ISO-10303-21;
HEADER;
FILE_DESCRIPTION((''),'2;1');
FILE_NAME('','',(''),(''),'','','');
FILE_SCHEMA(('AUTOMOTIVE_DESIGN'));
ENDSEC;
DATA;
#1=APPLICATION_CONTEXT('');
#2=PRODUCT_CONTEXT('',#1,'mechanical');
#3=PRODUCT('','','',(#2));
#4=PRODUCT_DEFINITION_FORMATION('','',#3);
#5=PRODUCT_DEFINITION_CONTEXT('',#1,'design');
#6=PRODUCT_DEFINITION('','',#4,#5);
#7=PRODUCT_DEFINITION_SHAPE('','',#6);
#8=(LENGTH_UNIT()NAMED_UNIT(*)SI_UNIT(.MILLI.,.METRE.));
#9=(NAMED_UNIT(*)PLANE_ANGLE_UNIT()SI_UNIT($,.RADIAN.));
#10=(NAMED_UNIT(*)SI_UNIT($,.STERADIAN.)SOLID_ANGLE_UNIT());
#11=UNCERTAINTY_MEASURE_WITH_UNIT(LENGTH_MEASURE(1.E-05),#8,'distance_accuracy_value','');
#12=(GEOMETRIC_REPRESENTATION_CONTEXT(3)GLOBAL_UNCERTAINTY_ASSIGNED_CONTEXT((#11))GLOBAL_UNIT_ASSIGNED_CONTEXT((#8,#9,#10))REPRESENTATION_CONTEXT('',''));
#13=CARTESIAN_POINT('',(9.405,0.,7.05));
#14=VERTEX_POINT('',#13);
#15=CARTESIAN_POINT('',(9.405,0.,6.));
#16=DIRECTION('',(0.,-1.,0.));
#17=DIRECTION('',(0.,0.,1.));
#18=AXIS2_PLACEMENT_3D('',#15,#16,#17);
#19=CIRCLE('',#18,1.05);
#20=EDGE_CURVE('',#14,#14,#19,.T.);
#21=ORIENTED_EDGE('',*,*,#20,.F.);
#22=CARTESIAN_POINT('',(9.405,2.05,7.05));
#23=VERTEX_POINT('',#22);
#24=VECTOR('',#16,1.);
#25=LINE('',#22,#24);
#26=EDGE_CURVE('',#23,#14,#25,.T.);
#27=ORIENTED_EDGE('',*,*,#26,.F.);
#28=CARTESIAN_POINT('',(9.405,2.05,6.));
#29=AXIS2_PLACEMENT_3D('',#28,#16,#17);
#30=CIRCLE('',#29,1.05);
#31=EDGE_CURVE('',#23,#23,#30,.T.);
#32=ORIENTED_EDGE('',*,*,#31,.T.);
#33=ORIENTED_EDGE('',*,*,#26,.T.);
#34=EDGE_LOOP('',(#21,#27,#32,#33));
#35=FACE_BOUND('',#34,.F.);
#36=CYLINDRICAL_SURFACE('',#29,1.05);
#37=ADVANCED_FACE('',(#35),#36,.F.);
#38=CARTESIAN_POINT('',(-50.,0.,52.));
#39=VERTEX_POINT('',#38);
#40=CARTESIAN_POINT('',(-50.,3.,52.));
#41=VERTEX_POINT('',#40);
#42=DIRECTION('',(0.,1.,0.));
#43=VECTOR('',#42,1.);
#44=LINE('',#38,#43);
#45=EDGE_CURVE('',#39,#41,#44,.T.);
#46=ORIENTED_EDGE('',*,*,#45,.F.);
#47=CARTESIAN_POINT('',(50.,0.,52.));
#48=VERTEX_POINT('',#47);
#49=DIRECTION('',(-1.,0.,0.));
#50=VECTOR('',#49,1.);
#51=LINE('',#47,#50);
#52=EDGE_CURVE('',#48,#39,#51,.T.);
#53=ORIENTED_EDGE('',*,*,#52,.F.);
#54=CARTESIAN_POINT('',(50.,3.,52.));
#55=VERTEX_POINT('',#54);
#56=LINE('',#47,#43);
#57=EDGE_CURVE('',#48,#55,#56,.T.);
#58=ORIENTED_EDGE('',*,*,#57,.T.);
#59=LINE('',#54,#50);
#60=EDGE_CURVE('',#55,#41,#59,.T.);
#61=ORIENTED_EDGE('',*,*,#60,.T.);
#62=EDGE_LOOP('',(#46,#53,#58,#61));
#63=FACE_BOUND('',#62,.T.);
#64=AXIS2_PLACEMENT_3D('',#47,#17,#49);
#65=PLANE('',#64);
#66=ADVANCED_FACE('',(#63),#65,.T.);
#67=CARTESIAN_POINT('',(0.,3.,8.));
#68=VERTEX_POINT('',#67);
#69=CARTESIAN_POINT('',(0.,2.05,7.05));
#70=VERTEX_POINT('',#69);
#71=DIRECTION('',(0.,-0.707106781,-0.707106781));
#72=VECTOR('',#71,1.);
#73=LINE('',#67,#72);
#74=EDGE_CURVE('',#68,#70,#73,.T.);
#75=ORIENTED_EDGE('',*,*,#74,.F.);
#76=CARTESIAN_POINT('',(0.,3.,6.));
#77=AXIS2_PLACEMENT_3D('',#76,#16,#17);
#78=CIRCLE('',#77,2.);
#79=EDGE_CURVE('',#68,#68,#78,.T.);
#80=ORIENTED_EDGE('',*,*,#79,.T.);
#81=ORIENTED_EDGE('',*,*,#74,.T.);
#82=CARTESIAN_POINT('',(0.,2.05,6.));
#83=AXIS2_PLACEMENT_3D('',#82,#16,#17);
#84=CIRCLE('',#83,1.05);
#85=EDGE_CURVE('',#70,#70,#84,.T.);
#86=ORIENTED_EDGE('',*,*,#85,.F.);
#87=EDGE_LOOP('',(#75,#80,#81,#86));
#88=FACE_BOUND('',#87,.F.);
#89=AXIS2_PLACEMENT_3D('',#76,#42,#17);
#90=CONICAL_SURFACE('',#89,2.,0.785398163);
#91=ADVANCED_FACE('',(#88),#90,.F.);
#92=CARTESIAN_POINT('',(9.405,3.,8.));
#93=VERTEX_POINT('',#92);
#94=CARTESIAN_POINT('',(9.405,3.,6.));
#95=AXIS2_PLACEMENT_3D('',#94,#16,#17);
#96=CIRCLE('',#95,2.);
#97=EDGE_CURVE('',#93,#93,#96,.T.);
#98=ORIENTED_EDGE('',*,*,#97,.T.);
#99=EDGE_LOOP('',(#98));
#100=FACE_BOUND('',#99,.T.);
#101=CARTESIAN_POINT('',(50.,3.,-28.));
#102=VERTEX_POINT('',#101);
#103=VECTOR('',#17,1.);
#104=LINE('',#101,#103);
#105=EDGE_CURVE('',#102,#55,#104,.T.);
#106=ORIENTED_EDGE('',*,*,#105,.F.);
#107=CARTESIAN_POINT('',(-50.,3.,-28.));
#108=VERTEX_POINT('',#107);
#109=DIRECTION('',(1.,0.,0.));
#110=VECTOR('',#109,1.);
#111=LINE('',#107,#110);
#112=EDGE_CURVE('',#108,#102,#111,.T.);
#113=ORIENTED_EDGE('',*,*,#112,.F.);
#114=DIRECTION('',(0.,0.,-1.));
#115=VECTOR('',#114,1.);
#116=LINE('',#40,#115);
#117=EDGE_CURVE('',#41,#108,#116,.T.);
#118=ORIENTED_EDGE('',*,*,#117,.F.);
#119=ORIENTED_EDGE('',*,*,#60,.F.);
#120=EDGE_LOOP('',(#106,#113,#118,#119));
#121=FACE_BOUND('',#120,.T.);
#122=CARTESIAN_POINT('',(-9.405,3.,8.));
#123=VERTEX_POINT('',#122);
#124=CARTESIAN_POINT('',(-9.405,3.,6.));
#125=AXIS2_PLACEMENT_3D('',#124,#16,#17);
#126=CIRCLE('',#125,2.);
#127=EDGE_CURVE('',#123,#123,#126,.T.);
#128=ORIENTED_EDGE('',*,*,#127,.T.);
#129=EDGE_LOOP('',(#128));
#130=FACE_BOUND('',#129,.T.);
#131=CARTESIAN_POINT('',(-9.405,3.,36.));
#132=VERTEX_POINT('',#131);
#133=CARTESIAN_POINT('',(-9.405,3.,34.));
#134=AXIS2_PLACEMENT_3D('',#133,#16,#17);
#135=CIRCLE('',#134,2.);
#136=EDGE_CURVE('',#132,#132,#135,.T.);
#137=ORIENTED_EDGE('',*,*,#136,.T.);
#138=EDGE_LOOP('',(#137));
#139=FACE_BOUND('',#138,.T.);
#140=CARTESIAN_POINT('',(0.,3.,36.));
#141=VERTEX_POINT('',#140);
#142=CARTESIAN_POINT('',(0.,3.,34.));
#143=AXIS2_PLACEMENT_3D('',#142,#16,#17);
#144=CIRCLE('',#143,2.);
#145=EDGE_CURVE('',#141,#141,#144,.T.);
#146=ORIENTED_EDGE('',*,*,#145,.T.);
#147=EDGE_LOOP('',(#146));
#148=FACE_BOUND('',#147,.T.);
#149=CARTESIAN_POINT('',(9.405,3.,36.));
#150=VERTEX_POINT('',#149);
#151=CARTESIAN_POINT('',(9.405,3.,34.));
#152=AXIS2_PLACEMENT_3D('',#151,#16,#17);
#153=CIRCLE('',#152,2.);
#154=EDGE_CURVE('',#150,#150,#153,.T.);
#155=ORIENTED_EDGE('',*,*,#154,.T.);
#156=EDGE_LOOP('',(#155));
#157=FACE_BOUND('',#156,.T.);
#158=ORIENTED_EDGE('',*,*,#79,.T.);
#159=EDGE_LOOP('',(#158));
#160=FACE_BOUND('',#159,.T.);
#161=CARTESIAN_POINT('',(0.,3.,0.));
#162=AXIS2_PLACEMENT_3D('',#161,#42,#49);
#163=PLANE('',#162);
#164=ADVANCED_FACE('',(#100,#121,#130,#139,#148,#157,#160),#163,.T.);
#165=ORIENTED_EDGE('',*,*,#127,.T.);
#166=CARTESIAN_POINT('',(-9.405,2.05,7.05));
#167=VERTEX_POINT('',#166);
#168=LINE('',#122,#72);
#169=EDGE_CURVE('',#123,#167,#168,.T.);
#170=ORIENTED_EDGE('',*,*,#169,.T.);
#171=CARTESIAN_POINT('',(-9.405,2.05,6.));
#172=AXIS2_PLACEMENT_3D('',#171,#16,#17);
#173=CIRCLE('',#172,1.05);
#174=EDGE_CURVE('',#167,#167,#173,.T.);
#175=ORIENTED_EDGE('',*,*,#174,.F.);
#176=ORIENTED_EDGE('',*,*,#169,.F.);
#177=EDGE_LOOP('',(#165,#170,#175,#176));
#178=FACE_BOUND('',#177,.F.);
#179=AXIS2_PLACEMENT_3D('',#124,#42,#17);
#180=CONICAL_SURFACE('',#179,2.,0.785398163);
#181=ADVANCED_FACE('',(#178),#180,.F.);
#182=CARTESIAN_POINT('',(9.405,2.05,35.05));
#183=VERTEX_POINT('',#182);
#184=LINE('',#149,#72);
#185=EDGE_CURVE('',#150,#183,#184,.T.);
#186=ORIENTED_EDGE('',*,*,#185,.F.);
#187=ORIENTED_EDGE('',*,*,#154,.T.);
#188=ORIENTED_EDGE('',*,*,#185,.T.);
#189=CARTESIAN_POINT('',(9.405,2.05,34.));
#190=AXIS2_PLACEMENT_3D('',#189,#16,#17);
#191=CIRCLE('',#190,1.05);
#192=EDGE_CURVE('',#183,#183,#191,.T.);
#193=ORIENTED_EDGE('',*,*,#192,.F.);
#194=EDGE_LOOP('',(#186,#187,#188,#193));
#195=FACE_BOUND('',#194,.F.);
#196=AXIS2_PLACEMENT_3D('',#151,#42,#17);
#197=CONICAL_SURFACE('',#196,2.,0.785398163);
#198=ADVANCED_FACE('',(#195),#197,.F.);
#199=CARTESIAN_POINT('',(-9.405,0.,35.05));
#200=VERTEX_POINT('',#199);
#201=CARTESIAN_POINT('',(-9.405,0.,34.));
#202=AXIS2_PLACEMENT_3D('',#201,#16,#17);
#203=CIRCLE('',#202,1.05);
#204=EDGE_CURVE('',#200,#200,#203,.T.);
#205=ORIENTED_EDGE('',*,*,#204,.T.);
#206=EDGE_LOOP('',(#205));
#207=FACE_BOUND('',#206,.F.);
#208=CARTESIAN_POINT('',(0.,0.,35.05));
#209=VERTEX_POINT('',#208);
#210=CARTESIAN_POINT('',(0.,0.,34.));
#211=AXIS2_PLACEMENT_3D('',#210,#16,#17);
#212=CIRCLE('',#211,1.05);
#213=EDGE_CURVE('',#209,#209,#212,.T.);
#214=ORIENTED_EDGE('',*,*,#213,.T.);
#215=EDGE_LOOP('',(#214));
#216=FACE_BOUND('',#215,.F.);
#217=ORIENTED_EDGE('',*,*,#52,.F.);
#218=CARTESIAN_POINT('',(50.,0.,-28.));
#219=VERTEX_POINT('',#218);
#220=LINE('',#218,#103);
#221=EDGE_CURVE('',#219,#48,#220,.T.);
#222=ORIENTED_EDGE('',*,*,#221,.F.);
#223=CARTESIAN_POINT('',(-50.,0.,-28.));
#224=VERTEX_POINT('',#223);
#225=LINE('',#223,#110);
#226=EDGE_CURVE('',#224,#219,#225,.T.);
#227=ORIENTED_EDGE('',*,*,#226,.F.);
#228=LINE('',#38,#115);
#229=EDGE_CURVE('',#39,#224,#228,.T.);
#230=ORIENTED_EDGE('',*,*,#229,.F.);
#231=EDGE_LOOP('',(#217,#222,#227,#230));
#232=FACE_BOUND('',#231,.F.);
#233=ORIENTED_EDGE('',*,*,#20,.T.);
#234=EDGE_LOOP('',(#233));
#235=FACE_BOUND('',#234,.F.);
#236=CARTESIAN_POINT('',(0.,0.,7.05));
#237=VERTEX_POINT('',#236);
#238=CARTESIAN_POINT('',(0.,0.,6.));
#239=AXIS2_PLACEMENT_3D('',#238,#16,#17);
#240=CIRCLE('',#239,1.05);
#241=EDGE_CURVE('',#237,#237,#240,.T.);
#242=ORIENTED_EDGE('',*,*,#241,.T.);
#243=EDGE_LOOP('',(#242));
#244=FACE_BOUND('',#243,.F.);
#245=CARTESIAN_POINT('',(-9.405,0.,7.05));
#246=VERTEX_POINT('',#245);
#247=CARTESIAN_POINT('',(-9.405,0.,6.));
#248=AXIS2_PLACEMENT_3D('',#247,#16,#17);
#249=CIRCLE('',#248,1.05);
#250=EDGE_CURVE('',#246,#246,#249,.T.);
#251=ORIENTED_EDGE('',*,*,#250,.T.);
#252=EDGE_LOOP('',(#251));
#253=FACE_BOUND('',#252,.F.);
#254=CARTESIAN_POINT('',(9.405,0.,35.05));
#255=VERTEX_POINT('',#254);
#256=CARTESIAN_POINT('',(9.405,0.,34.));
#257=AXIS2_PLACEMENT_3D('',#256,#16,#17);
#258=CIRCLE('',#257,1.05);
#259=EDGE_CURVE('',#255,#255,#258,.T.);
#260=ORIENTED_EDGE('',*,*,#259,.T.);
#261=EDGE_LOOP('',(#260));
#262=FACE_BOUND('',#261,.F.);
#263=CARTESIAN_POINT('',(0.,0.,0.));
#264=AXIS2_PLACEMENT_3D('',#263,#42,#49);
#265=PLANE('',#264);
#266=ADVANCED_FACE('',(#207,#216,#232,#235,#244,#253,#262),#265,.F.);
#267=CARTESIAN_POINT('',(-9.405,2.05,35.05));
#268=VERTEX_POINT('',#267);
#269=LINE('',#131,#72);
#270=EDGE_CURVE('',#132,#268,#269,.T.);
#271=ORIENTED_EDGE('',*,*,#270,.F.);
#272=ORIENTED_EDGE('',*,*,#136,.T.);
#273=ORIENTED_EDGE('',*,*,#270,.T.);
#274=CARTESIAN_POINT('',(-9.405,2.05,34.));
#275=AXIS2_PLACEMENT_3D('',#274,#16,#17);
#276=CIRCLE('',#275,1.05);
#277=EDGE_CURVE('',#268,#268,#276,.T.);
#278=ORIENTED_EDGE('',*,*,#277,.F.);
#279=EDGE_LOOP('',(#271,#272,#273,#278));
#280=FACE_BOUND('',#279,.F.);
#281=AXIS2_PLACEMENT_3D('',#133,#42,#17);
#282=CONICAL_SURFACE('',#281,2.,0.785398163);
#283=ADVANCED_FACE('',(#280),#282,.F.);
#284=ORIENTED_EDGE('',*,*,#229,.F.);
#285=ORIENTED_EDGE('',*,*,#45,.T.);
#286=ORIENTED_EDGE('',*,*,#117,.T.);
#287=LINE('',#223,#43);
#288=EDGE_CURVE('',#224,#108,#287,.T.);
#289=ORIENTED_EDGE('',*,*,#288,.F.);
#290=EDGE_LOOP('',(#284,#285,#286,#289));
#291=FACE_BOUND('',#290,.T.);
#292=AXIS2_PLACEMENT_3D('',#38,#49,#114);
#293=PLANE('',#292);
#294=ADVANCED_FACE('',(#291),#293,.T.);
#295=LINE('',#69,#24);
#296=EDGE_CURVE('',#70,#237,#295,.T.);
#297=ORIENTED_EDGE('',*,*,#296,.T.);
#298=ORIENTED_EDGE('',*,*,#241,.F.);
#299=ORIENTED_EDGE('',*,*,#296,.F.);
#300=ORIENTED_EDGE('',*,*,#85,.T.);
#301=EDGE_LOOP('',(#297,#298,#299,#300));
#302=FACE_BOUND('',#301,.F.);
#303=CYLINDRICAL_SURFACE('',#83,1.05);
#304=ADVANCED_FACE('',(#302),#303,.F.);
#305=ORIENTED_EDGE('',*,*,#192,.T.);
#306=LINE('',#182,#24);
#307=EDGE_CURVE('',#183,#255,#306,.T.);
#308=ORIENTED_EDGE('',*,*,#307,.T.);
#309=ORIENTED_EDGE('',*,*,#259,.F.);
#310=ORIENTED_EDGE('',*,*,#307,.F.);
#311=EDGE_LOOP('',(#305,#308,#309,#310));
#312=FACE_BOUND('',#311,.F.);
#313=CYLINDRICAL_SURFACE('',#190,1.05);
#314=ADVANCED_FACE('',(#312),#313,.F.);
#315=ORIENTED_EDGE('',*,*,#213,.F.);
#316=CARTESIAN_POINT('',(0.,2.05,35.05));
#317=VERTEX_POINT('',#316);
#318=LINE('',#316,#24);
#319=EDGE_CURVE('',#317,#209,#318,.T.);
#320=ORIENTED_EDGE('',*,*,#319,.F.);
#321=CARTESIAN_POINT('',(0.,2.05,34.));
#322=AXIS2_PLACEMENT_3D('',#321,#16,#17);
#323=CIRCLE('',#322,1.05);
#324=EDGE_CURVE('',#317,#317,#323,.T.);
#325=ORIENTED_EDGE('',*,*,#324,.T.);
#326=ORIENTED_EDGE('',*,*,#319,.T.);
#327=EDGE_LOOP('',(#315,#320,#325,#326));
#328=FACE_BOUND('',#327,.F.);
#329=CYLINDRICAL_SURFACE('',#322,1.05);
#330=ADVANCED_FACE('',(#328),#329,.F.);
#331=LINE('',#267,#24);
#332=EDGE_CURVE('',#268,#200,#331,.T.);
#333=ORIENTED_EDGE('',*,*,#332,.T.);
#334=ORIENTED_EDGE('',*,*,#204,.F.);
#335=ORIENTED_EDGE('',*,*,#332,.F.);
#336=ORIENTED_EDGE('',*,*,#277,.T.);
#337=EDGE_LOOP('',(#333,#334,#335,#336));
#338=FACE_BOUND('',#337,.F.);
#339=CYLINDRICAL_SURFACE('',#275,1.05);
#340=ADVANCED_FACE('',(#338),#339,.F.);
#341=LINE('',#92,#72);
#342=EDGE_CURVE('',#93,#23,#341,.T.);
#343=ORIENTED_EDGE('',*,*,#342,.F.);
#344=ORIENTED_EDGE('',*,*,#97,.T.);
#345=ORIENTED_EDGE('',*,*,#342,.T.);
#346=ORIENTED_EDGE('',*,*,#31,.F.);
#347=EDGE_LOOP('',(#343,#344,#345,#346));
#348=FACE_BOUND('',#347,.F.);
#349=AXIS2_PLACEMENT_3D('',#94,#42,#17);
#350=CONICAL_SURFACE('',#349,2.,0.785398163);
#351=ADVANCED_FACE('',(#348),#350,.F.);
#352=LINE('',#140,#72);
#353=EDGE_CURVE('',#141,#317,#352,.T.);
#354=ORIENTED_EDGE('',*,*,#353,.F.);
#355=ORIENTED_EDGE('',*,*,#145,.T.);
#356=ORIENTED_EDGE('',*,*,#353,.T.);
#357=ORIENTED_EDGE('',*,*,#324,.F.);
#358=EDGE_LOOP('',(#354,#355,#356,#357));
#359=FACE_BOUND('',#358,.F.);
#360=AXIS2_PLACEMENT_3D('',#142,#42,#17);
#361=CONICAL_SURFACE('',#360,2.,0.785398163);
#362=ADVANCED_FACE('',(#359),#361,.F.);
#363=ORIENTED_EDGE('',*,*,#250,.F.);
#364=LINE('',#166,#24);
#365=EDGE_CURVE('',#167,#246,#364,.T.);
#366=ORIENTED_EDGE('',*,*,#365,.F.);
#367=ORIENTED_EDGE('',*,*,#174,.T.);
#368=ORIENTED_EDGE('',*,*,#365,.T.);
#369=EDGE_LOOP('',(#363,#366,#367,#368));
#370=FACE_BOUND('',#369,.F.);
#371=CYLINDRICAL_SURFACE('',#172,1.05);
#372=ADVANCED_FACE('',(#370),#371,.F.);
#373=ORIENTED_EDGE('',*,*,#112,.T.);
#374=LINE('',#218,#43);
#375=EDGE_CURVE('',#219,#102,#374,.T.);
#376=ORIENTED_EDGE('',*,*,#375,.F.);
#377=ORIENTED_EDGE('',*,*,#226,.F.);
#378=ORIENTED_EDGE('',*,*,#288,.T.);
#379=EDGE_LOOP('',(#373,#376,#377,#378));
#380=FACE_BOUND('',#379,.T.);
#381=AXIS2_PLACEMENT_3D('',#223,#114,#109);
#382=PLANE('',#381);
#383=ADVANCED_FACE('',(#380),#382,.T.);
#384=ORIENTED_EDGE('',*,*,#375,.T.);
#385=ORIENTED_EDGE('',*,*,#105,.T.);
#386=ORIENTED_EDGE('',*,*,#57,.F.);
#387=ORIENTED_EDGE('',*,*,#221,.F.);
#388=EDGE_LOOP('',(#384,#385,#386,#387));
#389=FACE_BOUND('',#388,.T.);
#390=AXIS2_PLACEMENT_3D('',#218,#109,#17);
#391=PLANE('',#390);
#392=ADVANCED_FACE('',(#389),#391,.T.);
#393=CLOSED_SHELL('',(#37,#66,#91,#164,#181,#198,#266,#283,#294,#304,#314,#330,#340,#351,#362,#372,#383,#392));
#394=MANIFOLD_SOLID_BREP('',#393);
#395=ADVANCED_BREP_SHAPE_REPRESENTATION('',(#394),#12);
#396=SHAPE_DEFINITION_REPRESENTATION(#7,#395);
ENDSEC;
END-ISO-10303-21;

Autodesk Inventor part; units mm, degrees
ref_plane "YZ Plane" through (0, 0, 0) normal (1, 0, 0) x (0, 1, 0)
ref_plane "XZ Plane" through (0, 0, 0) normal (0, 1, 0) x (-1, 0, 0)
ref_plane "XY Plane" through (0, 0, 0) normal (0, 0, 1) x (1, 0, 0)
sketch "Sketch1" plane through (0, 0, 0) normal (0, 1, 0) x (-1, 0, 0)
  line L0 (50, -28) -> (-50, -28)
  line L1 (-50, -28) -> (-50, 52)
  line L2 (-50, 52) -> (50, 52)
  line L3 (50, 52) -> (50, -28)
  point P0 (0, 0)
  dimension "d0" = 100
  dimension "d1" = 80
  dimension "d2" = 28
  dimension "d3" = 50
extrude "Plate1" add sketch "Sketch1" along normal blind 3
sketch "Sketch3" plane through (0, 3, 0) normal (0, 1, 0) x (1, 0, 0)
  circle A0 centre (9.405, -34) radius 1.05 projected
  circle A1 centre (9.405, -6) radius 1.05 projected
  circle A2 centre (0, -34) radius 1.05 projected
  circle A3 centre (0, -6) radius 1.05 projected
  circle A4 centre (-9.405, -34) radius 1.05 projected
  circle A5 centre (-9.405, -6) radius 1.05 projected
  line L0 (15.405, 0) -> (15.405, -40) projected
  line L1 (-15.405, -40) -> (15.405, -40) projected
  line L2 (-15.405, -40) -> (-15.405, 0) projected
  line L3 (15.405, 0) -> (-15.405, 0) projected
  point P0 (0, 0)
hole "Hole1" at (-9.405, 3, 6) at (0, 3, 6) at (9.405, 3, 6) at (9.405, 3, 34) at (0, 3, 34) at (-9.405, 3, 34) direction (0, -1, 0) diameter 2.1 depth 3 countersink diameter 4 countersink angle 90
equation "\"d20\" = Thickness"
equation "\"d4\" = Thickness"
equation "\"BendReliefWidth\" = Thickness"
equation "\"BendReliefDepth\" = 0.5 * Thickness"
equation "\"CornerReliefSize\" = 4 * Thickness"
equation "\"MinimumRemnant\" = 2 * Thickness"
equation "\"TransitionRadius\" = BendRadius"
equation "\"JacobiRadiusSize\" = BendRadius"
equation "\"GapSize\" = Thickness"
equation "\"Thickness\" = 3"
equation "\"BendRadius\" = 0.31"
properties part number "axis_12_bottom_frame(bottom)" material "Aluminum 6061-AHC"
